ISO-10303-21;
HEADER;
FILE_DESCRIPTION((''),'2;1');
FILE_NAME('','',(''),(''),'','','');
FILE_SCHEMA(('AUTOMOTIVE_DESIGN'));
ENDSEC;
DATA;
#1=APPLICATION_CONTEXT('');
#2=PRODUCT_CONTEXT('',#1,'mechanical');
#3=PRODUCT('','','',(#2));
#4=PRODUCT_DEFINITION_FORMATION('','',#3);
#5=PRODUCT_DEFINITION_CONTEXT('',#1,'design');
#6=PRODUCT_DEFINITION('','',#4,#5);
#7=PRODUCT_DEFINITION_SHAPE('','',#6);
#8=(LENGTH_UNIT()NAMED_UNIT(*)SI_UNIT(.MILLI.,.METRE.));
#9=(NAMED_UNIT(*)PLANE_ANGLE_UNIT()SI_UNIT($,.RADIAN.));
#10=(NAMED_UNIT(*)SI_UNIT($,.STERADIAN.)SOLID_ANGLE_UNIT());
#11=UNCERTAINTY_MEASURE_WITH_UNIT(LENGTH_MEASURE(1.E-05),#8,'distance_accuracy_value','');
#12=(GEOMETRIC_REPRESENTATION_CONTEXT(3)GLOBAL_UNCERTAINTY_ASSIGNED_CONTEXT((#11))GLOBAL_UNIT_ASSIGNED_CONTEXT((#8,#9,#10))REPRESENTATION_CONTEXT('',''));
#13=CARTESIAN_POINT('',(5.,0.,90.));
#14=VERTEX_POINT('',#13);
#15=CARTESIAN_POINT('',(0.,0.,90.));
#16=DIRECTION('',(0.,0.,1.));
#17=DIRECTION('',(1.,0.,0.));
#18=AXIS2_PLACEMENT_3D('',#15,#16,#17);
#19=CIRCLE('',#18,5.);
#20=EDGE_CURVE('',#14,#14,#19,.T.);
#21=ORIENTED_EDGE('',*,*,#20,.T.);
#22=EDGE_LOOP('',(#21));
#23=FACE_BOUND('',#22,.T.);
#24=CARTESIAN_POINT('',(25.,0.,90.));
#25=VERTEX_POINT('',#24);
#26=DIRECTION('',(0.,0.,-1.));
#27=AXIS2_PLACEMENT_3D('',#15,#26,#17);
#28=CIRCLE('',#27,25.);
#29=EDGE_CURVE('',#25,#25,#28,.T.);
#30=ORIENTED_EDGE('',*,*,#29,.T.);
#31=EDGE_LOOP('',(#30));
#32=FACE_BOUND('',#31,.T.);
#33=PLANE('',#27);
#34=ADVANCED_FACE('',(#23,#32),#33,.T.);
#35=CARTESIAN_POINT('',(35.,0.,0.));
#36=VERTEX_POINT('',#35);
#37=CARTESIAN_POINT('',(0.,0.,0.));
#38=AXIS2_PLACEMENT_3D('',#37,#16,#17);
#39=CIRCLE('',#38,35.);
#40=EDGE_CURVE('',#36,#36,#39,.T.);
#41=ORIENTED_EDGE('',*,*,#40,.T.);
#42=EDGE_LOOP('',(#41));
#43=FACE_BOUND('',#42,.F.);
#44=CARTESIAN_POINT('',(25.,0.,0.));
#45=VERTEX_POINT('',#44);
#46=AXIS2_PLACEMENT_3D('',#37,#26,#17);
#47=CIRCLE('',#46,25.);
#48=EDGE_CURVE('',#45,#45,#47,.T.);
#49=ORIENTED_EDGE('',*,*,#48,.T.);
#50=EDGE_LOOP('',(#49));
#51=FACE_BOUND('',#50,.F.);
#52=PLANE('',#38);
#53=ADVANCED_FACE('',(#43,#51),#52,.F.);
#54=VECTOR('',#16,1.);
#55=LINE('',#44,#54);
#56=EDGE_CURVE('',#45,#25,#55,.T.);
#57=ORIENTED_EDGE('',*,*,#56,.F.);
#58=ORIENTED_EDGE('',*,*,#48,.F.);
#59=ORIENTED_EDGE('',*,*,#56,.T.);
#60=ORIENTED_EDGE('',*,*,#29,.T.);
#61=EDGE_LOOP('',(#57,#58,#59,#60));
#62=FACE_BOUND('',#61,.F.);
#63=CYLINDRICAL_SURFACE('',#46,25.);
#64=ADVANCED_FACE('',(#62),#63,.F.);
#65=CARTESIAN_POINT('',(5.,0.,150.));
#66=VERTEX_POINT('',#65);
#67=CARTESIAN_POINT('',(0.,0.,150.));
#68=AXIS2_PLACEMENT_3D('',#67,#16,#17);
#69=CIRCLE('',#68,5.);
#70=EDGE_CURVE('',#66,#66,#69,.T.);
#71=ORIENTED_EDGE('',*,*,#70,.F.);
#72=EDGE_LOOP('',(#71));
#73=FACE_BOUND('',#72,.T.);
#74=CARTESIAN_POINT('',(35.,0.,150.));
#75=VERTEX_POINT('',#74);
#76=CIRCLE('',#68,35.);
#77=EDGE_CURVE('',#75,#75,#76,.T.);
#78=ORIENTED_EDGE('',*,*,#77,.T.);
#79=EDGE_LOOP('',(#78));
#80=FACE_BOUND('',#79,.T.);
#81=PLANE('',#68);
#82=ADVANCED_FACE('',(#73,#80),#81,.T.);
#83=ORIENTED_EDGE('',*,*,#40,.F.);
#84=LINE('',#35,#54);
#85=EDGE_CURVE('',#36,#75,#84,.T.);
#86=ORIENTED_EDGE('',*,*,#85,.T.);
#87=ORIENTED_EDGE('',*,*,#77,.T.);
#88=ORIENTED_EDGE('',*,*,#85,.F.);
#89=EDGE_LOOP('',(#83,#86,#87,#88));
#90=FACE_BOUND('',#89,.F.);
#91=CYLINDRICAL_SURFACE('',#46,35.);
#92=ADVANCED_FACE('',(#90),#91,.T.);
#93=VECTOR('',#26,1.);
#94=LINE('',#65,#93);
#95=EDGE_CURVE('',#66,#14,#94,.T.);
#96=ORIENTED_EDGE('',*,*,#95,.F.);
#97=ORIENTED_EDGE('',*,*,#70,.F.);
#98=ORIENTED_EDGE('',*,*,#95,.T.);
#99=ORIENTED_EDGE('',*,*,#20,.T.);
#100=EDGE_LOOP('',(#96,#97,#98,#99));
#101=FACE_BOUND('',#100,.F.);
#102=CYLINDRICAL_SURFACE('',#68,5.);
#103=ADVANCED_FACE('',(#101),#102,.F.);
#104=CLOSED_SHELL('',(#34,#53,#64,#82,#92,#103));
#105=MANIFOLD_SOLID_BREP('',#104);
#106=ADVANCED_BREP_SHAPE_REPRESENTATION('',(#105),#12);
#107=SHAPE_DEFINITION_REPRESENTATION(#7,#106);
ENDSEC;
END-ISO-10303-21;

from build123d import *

# Parameters (mm, degrees)
F0_R     = 35
F1_DEPTH = 150
F2_R     = 25
F3_DEPTH = 90
F4_R     = 5
F5_DEPTH = 150.001


with BuildPart() as f1:
    # F0 (on Top) → F1 (new body)
    with BuildSketch(Plane.XY):
        Circle(F0_R)
    extrude(amount=F1_DEPTH)

    # F2 (on face) → F3 (cut)
    with BuildSketch(Plane(origin=(0, 0, 0), x_dir=(1, 0, 0), z_dir=(0, 0, -1))):
        Circle(F2_R)
    extrude(amount=-F3_DEPTH, mode=Mode.SUBTRACT)

    # F4 (on face) → F5 (cut, through all)
    with BuildSketch(Plane.XY.offset(150)):
        Circle(F4_R)
    extrude(amount=-F5_DEPTH, mode=Mode.SUBTRACT)


solid = f1.part
